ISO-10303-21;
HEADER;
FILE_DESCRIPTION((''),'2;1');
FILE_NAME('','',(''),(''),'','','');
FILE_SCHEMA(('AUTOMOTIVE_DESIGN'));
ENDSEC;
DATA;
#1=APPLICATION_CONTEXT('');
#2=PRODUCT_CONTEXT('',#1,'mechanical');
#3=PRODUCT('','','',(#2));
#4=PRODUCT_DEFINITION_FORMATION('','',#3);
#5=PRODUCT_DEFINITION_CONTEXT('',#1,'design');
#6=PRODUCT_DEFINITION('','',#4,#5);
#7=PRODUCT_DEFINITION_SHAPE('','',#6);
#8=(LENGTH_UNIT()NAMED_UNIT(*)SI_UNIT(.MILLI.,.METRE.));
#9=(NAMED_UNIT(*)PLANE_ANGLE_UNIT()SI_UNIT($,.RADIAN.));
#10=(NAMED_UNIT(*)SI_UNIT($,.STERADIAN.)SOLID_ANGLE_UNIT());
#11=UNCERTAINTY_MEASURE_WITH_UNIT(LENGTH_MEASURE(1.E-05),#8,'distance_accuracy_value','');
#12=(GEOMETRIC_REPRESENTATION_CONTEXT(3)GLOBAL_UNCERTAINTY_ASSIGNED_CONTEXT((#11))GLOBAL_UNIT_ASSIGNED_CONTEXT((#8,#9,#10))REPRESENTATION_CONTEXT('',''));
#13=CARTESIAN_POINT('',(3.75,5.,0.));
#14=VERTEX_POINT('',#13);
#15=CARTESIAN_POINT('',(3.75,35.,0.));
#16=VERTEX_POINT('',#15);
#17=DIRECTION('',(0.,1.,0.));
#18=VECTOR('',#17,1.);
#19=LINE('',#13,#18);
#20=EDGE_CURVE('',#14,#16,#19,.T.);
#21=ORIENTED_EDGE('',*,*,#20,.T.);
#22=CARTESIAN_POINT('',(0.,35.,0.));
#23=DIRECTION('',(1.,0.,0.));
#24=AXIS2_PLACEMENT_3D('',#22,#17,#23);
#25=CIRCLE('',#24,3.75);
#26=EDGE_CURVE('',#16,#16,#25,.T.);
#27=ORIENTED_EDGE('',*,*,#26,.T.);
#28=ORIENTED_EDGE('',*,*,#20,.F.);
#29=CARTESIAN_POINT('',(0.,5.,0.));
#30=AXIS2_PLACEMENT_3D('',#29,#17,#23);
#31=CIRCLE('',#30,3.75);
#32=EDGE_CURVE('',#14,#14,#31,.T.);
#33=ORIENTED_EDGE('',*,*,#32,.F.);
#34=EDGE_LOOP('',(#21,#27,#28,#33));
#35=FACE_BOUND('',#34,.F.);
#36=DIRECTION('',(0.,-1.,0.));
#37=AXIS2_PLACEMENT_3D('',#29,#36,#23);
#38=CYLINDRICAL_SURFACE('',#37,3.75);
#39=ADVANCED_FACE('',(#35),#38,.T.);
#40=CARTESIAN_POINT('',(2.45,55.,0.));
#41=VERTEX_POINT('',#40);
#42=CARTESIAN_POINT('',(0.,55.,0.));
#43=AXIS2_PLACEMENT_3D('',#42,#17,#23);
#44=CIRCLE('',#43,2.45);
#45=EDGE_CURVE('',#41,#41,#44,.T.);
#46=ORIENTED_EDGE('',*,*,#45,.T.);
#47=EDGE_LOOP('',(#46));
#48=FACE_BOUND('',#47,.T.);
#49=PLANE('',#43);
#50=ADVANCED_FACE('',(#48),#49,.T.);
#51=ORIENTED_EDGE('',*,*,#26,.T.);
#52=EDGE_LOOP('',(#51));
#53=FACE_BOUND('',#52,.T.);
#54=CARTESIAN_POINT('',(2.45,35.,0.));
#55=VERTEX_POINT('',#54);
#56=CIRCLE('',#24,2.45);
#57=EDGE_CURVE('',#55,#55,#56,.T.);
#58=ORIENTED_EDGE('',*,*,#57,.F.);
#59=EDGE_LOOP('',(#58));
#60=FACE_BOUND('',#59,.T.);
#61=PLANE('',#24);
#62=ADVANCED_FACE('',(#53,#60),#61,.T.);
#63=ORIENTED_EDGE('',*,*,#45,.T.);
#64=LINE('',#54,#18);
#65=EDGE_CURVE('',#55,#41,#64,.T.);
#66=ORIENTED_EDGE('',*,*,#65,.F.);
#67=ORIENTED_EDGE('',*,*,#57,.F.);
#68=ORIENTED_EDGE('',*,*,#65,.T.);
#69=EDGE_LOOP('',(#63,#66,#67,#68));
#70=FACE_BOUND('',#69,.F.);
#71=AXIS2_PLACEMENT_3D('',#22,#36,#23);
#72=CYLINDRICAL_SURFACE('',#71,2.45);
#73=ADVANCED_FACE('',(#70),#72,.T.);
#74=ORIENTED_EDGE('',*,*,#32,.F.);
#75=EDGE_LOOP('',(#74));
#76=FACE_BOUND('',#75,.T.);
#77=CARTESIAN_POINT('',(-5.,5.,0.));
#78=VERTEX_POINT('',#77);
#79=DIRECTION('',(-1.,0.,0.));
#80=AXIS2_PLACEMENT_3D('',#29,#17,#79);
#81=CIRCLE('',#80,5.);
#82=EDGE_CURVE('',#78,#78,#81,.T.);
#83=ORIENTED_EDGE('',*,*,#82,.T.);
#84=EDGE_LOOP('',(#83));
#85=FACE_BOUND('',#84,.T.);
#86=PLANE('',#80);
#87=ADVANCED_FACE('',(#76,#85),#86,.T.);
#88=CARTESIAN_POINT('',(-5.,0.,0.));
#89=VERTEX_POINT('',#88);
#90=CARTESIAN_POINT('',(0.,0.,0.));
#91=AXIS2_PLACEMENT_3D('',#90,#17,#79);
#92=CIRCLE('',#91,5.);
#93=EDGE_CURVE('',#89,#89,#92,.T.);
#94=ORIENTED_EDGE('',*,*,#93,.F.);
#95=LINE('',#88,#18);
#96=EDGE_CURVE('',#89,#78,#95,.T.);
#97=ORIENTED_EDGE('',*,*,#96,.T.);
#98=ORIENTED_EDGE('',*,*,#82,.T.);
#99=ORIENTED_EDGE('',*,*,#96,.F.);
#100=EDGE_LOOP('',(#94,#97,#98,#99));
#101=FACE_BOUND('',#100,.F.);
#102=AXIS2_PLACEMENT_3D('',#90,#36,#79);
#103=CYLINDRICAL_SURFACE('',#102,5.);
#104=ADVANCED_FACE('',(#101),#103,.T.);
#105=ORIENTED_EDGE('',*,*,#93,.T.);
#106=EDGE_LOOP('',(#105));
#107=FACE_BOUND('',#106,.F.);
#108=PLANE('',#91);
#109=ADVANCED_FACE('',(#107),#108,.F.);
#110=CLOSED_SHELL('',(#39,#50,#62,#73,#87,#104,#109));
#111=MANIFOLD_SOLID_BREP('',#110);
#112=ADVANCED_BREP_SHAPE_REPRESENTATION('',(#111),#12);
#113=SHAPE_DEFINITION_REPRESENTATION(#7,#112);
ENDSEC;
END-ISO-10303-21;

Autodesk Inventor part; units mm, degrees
ref_plane "YZ Plane" through (0, 0, 0) normal (1, 0, 0) x (0, 1, 0)
ref_plane "XZ Plane" through (0, 0, 0) normal (0, 1, 0) x (-1, 0, 0)
ref_plane "XY Plane" through (0, 0, 0) normal (0, 0, 1) x (1, 0, 0)
sketch "Sketch1" plane through (0, 0, 0) normal (0, 1, 0) x (-1, 0, 0)
  circle A0 centre (0, 0) radius 5
  dimension "d0" = 10
extrude "Extrusion1" add sketch "Sketch1" along normal blind 5
sketch "Sketch2" plane through (0, 5, 0) normal (0, 1, 0) x (1, 0, 0)
  circle A0 centre (0, 0) radius 3.75
  dimension "d3" = 7.5
extrude "Extrusion2" add sketch "Sketch2" along normal blind 30
sketch "Sketch3" plane through (0, 35, 0) normal (0, 1, 0) x (1, 0, 0)
  circle A0 centre (0, 0) radius 2.45
  dimension "d6" = 4.9
extrude "Extrusion3" add sketch "Sketch3" along normal blind 20
properties part number "leg_1"
